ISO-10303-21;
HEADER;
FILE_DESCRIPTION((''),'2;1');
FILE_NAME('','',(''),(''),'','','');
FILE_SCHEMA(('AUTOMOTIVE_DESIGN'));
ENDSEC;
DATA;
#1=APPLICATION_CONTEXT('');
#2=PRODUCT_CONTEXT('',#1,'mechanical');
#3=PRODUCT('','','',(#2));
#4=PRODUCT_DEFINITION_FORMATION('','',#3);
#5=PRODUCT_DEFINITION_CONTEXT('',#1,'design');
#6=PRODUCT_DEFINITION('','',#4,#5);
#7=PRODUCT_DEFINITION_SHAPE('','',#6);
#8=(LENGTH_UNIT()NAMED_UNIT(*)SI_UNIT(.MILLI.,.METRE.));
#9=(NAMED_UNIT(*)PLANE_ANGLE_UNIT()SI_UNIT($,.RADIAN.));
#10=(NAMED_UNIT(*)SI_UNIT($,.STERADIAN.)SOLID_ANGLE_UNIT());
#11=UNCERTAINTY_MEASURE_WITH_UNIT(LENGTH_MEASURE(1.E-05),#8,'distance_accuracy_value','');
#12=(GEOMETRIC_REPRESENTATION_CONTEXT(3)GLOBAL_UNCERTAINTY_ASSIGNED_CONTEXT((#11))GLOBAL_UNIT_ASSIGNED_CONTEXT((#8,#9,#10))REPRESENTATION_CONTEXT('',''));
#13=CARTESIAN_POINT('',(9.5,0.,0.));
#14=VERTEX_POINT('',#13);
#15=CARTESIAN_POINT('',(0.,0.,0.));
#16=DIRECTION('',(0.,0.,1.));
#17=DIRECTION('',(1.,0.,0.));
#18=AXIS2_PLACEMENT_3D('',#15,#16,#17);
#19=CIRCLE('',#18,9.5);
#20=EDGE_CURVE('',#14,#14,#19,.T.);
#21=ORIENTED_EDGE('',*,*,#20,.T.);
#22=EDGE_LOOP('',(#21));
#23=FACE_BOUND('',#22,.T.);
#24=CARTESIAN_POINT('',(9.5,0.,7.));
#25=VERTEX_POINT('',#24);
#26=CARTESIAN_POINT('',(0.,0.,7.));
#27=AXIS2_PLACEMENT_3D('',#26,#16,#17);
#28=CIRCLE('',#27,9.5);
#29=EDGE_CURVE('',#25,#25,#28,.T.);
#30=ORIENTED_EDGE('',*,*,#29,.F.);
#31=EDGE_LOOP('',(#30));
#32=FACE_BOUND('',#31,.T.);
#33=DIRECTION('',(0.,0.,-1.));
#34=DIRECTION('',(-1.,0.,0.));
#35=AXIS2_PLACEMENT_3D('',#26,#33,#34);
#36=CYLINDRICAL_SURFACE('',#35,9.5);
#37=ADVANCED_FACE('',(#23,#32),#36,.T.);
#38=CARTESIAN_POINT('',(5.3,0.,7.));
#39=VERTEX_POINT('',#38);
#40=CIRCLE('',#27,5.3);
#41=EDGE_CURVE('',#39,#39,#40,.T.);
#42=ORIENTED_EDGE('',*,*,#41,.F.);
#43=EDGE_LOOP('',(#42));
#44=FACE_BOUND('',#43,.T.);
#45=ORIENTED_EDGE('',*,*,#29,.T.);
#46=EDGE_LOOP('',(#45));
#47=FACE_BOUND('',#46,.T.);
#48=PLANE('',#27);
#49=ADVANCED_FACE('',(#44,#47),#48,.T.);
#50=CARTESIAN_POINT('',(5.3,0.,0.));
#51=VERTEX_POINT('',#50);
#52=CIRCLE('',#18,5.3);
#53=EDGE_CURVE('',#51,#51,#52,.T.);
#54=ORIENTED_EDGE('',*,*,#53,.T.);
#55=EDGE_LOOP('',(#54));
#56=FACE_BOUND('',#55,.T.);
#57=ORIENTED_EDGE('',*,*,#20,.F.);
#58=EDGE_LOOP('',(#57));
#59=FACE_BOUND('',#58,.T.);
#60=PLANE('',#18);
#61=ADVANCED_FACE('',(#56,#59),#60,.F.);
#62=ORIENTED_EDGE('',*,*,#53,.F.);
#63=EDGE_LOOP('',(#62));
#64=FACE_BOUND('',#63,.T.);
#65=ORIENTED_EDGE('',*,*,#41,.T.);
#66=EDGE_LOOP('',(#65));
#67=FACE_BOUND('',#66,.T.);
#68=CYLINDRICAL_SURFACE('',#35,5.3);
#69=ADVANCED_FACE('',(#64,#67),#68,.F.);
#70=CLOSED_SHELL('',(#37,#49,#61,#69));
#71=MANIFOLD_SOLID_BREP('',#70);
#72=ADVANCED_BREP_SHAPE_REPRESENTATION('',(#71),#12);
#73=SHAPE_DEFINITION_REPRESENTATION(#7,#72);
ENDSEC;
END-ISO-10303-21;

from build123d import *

# Parameters (mm, degrees)
CROQUIS1_R              = 9.5
CROQUIS1_R_2            = 5.3
SALIENTE_EXTRUIR1_DEPTH = 7


with BuildPart() as part:
    # Croquis1 → Saliente-Extruir1 (new body)
    with BuildSketch(Plane.XY):
        Circle(CROQUIS1_R)
        Circle(CROQUIS1_R_2, mode=Mode.SUBTRACT)
    extrude(amount=SALIENTE_EXTRUIR1_DEPTH)


solid = part.part
